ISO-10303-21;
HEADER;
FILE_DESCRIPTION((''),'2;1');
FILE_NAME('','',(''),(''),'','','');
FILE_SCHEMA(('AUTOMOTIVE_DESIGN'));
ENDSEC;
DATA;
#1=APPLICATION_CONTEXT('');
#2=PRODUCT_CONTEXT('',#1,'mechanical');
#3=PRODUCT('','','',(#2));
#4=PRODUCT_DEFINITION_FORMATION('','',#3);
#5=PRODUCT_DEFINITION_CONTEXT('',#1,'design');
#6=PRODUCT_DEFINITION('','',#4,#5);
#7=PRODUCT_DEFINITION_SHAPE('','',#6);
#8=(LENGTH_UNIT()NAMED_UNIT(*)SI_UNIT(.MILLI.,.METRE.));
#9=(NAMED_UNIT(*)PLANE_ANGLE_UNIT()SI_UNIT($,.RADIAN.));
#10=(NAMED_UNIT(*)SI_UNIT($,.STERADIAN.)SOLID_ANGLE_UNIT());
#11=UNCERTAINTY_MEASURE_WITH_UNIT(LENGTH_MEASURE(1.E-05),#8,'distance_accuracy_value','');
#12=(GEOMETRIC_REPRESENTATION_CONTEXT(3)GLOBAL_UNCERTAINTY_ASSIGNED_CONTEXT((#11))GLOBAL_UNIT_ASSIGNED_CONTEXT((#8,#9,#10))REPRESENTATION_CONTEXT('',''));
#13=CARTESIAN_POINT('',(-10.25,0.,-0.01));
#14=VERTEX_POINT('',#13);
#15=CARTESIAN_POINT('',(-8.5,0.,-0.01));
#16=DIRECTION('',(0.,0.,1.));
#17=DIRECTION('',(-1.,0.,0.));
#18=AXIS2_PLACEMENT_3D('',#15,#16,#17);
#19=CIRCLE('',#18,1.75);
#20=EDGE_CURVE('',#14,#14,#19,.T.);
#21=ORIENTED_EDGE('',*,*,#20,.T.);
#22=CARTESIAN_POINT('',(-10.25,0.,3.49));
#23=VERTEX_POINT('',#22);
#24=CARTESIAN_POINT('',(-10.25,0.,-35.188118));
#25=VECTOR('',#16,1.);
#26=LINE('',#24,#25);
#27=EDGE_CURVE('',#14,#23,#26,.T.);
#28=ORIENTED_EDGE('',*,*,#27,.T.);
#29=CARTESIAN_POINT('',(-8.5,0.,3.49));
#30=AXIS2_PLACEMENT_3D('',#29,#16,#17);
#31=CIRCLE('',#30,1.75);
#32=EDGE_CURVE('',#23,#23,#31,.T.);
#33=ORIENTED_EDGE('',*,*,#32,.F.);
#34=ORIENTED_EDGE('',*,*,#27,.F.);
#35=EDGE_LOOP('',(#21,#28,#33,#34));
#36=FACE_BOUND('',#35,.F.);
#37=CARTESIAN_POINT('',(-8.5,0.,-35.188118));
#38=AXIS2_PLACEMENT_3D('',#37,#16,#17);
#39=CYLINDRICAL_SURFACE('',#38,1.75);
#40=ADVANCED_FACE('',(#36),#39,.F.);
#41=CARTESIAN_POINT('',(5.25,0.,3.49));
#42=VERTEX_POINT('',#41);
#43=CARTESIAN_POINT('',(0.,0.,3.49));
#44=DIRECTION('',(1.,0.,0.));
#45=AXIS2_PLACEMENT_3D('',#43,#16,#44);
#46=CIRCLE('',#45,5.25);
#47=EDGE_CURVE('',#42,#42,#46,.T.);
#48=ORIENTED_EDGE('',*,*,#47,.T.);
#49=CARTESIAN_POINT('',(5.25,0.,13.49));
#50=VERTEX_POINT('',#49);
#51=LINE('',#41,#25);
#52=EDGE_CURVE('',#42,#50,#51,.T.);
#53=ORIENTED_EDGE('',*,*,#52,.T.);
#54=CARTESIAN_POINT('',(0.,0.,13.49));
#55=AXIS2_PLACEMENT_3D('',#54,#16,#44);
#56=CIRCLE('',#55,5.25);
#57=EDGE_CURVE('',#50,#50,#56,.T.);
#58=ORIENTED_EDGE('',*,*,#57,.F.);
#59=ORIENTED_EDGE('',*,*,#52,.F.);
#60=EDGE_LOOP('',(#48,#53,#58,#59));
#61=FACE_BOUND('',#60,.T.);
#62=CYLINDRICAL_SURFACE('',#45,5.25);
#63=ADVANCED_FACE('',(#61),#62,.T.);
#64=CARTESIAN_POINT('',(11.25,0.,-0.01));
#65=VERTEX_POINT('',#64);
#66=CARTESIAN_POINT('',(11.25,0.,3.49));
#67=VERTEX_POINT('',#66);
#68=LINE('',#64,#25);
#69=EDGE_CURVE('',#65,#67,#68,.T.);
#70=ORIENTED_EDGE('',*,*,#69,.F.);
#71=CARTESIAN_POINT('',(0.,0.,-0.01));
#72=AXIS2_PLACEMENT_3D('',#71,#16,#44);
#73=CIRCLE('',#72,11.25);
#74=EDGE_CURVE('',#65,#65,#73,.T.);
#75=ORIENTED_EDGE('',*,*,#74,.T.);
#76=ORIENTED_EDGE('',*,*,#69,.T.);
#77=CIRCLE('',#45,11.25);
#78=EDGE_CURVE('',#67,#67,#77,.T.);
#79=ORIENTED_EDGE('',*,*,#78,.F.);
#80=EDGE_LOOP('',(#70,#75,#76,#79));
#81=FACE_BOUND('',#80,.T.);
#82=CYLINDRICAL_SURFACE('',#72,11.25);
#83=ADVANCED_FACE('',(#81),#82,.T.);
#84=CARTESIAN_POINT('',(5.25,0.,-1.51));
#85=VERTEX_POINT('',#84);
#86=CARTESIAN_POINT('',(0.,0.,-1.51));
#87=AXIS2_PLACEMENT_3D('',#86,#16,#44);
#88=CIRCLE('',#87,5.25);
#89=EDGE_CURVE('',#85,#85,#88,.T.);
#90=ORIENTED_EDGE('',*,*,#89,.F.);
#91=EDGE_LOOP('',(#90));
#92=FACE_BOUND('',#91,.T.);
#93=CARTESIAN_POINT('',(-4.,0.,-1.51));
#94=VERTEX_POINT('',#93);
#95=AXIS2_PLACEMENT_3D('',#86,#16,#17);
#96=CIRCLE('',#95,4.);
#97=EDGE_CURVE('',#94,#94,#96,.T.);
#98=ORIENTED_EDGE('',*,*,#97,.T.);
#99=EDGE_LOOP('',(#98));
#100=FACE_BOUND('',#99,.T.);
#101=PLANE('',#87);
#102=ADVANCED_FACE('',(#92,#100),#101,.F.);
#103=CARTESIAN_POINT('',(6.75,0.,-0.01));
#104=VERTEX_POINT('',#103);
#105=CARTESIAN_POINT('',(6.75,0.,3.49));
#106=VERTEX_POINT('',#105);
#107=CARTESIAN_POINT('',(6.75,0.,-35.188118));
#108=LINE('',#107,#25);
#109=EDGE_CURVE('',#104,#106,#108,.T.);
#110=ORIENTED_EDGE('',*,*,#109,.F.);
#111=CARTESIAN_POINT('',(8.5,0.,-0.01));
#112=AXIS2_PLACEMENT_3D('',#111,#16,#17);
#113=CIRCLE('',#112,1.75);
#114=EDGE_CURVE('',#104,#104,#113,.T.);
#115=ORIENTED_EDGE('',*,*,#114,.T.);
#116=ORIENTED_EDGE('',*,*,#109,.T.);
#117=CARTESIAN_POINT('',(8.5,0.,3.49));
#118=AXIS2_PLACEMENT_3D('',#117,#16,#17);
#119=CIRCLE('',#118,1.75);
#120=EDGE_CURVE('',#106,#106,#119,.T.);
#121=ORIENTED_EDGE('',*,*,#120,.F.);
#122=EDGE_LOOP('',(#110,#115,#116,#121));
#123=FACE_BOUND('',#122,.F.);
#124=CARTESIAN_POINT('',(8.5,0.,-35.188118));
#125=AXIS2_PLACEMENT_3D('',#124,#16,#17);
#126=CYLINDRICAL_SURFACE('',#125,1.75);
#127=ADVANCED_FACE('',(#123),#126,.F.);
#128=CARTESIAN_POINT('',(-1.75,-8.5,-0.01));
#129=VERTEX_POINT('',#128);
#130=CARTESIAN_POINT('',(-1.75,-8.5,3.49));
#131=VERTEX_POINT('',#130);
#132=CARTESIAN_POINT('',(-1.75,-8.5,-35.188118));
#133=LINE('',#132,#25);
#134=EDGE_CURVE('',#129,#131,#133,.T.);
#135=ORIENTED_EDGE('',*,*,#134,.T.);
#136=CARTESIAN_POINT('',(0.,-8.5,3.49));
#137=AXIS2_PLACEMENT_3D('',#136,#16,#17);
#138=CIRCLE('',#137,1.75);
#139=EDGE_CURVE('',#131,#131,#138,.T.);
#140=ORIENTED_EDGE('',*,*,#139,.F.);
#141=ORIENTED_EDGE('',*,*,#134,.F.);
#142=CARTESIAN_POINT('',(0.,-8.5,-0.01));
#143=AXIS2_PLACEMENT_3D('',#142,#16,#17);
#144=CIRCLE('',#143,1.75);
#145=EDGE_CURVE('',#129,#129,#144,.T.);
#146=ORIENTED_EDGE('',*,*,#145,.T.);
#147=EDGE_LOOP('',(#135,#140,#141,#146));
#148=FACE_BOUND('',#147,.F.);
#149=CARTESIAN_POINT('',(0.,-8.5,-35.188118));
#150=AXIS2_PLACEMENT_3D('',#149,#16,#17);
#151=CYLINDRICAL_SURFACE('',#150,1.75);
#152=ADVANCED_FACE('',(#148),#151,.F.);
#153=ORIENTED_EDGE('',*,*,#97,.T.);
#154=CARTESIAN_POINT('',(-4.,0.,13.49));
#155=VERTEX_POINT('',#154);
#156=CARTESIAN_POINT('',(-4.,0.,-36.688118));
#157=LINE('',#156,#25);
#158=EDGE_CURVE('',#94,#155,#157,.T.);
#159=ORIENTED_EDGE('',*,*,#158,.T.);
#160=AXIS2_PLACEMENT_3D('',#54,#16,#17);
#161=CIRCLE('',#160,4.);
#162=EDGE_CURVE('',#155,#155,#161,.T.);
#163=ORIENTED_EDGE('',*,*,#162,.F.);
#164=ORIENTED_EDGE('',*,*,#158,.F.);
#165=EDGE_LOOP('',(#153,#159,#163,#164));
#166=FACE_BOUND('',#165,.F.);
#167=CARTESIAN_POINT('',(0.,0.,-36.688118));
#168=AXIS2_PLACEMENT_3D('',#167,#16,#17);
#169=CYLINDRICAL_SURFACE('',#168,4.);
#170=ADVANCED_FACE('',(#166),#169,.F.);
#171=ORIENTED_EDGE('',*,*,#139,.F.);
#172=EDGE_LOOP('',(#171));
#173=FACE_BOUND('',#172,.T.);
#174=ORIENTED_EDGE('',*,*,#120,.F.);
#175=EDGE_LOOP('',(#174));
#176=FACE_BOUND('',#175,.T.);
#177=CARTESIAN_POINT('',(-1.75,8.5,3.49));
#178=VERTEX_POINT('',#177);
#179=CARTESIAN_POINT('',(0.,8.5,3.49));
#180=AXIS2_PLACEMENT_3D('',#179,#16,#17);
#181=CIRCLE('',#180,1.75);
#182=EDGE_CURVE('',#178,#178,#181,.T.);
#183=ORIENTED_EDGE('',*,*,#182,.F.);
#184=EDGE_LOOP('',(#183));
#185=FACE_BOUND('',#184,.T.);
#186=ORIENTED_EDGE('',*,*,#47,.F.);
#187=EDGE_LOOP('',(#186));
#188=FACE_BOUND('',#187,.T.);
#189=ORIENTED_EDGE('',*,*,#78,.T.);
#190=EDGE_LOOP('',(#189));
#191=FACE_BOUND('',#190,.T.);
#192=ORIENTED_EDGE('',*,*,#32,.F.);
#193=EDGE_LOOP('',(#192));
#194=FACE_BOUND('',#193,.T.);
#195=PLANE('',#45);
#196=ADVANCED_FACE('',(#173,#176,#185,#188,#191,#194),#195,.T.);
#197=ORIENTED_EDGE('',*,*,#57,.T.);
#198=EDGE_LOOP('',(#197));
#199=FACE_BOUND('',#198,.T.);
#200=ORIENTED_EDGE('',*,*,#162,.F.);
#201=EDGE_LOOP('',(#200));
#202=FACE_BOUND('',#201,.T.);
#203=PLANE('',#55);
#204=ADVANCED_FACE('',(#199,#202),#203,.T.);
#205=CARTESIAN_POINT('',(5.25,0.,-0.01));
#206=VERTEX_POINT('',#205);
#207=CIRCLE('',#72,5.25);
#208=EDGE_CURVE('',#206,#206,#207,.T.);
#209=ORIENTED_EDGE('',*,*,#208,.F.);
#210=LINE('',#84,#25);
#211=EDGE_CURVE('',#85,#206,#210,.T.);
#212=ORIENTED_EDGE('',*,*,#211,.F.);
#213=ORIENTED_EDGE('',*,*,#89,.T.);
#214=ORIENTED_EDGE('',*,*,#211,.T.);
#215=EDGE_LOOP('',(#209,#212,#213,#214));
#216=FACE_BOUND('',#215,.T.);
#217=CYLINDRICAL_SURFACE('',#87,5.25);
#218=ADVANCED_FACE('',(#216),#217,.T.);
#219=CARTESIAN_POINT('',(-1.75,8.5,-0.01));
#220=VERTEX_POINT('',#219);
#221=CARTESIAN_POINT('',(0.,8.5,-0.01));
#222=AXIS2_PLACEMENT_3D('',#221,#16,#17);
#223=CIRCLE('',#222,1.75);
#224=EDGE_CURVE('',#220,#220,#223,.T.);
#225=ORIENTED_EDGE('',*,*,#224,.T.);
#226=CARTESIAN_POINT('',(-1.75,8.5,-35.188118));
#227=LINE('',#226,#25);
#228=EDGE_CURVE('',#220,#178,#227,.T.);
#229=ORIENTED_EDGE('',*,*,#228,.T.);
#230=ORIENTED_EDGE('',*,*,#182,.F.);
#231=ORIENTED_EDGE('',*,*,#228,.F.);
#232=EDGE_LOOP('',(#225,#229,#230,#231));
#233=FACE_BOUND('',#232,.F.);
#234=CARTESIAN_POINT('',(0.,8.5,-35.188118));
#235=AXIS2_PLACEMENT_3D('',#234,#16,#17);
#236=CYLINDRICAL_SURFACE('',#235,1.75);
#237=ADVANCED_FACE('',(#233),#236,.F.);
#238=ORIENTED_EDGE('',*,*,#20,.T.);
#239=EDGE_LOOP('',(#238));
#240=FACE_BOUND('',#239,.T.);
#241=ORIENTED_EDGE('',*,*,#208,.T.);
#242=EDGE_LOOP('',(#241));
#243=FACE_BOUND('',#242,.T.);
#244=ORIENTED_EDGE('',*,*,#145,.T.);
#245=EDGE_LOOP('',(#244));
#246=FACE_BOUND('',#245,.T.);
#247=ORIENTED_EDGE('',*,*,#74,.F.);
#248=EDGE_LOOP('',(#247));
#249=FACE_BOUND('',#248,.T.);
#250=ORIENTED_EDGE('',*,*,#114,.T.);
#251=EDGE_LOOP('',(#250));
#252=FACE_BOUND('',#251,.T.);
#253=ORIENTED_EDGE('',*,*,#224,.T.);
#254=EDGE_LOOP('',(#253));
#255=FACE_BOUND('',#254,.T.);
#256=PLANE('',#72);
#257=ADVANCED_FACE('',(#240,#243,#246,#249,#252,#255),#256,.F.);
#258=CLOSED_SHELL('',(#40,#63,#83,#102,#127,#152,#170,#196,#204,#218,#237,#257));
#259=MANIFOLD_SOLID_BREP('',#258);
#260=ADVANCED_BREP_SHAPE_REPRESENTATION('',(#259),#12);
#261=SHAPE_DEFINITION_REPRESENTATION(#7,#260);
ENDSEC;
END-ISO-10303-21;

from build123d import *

# Parameters (mm, degrees)
F3_D = 8
F5_D = 3.5


with BuildPart() as f1:
    # F0 (on Front) → F1 (revolve)
    with BuildSketch(Plane.XZ):
        Polygon((11.25, -0.01), (11.25, 3.49), (5.25, 3.49), (5.25, 13.49), (0, 13.49), (0, -1.51), (5.25, -1.51), (5.25, -0.01), align=None)
    revolve(axis=Axis((0, 0, 5.99), (0, 0, 1)))

    # F3 (through all)
    with Locations(Plane(origin=(0, 0, -1.51), x_dir=(1, 0, 0), z_dir=(0, 0, -1))):
        with Locations((0, 0)):
            Hole(F3_D / 2)

    # F5 (through all)
    with Locations(Plane(origin=(0, 0, -0.01), x_dir=(1, 0, 0), z_dir=(0, 0, -1))):
        with Locations((0, 8.5), (8.5, 0), (0, -8.5), (-8.5, 0)):
            Hole(F5_D / 2)


solid = f1.part
